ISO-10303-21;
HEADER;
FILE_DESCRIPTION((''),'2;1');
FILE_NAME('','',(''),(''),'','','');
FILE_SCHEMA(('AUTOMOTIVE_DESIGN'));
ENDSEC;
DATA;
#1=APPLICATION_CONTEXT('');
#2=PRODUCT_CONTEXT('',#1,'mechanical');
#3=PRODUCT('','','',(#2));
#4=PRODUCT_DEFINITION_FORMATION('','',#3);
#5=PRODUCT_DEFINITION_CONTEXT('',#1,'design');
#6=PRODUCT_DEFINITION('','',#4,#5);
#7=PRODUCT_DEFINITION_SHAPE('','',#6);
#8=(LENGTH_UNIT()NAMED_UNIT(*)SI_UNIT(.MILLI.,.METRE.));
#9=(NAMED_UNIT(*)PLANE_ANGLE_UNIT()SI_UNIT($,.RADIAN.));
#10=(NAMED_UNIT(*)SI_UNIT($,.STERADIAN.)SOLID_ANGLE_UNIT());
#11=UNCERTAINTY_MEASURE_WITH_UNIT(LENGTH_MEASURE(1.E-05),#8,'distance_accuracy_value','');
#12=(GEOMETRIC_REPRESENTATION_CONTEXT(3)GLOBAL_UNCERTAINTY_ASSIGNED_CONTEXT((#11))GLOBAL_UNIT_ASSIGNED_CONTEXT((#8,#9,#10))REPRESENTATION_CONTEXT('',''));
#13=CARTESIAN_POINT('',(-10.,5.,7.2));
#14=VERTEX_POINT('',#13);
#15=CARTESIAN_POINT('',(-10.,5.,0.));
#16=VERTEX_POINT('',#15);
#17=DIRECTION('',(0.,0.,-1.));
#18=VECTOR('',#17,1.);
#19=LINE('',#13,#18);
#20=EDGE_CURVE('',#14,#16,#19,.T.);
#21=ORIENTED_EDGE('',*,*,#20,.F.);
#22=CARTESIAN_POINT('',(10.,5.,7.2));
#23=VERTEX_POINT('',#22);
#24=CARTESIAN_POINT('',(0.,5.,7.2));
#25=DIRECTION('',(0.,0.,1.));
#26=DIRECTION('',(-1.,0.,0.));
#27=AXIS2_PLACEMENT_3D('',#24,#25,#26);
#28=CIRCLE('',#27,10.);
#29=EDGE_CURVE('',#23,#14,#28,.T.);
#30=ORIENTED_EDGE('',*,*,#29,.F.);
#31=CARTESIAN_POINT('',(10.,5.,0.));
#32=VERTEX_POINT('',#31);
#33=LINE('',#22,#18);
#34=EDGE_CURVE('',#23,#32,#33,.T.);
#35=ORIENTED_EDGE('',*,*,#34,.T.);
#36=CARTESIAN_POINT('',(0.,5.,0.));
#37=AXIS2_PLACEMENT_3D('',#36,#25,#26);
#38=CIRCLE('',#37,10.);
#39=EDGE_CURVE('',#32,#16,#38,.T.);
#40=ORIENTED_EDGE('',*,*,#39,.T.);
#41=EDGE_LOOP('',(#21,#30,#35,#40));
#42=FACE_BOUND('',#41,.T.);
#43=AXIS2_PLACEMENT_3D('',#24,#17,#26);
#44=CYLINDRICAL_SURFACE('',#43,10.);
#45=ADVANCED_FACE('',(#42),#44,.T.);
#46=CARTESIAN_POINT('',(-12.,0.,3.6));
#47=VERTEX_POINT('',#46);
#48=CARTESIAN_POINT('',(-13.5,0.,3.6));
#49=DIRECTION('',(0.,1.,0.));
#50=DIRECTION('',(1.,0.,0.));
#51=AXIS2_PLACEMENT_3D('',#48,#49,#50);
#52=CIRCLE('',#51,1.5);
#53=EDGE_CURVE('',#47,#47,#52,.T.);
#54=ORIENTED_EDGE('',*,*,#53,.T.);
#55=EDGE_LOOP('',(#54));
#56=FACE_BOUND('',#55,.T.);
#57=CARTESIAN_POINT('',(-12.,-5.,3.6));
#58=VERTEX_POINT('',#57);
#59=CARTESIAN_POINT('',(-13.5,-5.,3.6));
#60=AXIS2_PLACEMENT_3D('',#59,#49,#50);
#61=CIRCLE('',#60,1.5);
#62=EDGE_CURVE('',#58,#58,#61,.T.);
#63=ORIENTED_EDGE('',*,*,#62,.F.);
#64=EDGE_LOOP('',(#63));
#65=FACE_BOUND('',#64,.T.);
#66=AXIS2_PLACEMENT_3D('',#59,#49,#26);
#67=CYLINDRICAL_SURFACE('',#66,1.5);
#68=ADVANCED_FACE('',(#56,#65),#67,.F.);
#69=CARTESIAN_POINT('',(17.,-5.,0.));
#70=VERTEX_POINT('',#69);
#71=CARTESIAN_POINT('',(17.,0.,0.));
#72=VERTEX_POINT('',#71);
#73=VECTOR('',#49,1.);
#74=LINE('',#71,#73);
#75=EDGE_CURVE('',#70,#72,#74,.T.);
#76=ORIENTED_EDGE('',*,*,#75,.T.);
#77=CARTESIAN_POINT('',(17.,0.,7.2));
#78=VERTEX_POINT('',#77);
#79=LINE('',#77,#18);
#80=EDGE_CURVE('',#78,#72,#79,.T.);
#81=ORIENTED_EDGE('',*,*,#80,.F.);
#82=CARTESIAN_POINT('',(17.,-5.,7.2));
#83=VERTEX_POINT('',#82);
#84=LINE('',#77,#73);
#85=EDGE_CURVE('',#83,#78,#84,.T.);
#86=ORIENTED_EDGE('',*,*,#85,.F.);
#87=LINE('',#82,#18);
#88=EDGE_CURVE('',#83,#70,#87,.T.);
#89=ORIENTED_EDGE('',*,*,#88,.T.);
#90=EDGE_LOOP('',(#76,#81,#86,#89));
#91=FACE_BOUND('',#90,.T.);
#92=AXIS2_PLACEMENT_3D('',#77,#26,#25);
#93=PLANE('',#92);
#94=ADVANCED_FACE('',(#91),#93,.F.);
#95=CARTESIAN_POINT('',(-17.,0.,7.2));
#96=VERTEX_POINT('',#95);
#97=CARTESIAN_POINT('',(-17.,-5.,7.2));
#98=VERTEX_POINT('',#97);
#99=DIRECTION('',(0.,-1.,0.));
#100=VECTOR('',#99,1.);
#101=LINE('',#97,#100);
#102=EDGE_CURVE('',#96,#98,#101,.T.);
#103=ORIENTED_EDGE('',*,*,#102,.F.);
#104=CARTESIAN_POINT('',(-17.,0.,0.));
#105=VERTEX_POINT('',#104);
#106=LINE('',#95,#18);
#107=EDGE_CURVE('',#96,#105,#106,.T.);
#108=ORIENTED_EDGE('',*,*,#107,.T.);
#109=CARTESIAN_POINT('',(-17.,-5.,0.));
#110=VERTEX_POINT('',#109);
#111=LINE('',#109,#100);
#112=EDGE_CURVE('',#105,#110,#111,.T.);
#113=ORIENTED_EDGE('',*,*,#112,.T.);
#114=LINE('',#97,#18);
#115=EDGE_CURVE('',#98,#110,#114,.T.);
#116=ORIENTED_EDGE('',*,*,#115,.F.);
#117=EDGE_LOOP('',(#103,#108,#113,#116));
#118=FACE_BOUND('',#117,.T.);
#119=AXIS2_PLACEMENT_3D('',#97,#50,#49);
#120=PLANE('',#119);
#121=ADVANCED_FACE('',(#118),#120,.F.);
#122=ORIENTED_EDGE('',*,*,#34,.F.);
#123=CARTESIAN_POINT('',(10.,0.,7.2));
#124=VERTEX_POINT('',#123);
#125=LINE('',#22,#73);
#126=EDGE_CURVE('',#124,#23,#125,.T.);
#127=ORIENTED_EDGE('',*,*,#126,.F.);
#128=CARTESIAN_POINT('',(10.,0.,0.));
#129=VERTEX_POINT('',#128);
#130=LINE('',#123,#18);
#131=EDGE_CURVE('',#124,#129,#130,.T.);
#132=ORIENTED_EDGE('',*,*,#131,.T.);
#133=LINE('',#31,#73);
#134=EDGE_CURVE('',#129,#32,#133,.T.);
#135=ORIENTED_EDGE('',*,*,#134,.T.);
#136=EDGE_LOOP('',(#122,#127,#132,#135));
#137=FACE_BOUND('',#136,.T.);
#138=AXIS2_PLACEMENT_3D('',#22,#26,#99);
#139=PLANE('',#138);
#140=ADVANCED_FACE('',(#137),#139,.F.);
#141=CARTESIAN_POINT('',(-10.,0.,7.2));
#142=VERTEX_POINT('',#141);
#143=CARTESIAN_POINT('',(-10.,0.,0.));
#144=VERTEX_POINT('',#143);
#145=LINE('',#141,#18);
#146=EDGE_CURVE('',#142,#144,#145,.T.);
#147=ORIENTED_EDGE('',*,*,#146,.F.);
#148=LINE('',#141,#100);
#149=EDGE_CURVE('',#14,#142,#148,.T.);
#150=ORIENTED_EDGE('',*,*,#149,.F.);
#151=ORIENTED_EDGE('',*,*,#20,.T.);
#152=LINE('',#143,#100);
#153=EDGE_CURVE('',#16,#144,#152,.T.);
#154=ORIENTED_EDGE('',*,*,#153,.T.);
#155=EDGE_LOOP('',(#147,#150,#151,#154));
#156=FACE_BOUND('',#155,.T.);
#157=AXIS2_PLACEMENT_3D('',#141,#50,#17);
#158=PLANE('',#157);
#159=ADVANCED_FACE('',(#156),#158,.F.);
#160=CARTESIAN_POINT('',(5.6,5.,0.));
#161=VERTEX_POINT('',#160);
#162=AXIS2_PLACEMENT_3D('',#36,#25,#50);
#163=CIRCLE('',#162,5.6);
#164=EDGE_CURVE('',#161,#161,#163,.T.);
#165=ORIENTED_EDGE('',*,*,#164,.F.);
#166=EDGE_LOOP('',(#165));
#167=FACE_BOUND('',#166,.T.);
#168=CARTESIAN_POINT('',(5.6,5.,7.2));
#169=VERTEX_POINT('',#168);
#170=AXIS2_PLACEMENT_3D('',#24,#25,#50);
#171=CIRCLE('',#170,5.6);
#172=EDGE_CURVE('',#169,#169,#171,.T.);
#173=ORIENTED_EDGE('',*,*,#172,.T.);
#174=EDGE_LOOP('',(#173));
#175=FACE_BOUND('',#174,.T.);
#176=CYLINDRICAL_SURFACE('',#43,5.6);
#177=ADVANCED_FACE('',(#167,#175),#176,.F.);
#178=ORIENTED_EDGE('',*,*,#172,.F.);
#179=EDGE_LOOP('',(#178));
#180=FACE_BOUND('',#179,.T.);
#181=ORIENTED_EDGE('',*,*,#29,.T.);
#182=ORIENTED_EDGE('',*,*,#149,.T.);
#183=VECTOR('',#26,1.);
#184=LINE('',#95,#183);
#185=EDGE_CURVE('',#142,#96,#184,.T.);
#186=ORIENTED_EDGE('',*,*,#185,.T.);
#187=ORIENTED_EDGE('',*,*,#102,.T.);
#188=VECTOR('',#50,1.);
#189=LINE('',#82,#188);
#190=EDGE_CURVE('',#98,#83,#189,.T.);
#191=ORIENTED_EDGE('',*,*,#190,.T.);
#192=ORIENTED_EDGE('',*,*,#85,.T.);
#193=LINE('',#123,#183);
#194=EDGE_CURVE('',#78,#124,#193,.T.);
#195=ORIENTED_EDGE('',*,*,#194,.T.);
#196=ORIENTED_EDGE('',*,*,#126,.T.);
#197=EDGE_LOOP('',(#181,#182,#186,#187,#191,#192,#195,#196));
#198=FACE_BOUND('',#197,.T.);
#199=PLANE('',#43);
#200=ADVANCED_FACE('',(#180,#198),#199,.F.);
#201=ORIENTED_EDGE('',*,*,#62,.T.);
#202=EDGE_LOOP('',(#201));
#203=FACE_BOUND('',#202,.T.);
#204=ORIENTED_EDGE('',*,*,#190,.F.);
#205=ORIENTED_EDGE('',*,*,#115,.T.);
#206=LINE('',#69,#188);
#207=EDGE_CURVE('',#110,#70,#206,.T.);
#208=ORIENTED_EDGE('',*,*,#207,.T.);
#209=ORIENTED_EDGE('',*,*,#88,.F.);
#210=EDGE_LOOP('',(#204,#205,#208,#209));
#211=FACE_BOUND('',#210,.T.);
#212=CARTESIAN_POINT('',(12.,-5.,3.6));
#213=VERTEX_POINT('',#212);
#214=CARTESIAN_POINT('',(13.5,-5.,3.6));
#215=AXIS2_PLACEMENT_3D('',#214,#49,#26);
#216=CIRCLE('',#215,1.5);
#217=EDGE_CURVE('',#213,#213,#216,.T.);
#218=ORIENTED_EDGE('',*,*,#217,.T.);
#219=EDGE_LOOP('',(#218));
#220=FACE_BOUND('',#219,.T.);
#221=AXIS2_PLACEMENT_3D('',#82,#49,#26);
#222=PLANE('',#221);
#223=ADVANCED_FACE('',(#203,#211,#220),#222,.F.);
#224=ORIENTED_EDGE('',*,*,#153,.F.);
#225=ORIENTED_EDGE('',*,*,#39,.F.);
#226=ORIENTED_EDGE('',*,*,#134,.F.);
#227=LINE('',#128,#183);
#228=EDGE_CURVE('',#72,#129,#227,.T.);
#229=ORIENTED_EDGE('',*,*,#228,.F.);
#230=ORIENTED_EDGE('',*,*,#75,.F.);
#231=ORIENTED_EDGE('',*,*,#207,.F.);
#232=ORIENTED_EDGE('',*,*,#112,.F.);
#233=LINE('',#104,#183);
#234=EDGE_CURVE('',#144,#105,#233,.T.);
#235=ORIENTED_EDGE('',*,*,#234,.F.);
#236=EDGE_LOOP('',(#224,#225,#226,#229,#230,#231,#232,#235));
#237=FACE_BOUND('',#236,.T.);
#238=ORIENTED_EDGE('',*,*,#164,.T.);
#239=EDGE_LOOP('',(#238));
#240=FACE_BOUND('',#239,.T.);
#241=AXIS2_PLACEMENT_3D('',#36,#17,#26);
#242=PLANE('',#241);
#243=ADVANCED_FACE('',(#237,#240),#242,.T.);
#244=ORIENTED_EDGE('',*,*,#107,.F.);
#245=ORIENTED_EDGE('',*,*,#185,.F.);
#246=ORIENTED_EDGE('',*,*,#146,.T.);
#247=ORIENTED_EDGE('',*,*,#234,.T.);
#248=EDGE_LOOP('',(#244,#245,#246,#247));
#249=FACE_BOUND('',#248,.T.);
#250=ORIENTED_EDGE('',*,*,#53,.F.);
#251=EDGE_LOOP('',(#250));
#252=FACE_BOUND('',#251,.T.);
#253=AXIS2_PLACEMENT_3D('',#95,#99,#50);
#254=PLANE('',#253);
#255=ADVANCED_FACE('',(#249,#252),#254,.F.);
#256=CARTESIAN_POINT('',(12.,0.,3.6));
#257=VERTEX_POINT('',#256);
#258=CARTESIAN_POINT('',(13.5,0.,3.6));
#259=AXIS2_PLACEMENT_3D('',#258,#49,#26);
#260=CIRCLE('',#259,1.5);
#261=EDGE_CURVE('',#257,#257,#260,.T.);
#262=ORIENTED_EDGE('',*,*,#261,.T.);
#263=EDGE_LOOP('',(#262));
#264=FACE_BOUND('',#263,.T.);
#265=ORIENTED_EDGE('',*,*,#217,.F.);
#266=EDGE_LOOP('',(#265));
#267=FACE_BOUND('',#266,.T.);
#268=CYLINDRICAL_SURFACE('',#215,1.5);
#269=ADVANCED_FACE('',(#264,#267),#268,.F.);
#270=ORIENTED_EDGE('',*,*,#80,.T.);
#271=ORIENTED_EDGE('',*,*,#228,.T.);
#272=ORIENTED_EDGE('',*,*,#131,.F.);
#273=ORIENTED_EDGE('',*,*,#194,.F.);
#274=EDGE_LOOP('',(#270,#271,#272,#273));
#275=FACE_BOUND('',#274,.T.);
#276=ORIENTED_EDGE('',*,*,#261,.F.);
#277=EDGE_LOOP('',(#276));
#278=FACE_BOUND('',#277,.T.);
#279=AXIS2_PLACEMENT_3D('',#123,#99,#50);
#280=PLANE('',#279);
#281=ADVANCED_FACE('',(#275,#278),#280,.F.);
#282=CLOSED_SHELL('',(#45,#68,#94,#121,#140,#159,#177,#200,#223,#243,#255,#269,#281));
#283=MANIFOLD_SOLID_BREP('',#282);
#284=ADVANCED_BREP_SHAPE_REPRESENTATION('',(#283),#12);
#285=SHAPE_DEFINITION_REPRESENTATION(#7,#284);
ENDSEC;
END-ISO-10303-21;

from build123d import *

# Parameters (mm, degrees)
SKETCH1_R           = 5.6
BOSS_EXTRUDE1_DEPTH = 7.2
SKETCH2_R           = 1.5
CUT_EXTRUDE1_DEPTH  = 24.787391618


with BuildPart() as part:
    # Sketch1 → Boss-Extrude1 (new body)
    with BuildSketch(Plane.XY):
        with BuildLine():
            Line((10, 0), (17, 0))
            Line((17, 0), (17, -5))
            Line((17, -5), (-17, -5))
            Line((-17, -5), (-17, 0))
            Line((-17, 0), (-10, 0))
            Line((-10, 0), (-10, 5))
            ThreePointArc((-10, 5), (0, 15), (10, 5))
            Line((10, 5), (10, 0))
        make_face()
        with Locations((0, 5)):
            Circle(SKETCH1_R, mode=Mode.SUBTRACT)
    extrude(amount=BOSS_EXTRUDE1_DEPTH)

    # Sketch2 → Cut-Extrude1 (cut, through all)
    with BuildSketch(Plane(origin=(0, 0, 0), x_dir=(1, 0, 0), z_dir=(0, 1, 0))):
        with Locations(Location((13.5, -3.6, 0), (0, 0, 180))):
            Circle(SKETCH2_R)
        with Locations((-13.5, -3.6)):
            Circle(SKETCH2_R)
    extrude(amount=-CUT_EXTRUDE1_DEPTH, mode=Mode.SUBTRACT)


solid = part.part
